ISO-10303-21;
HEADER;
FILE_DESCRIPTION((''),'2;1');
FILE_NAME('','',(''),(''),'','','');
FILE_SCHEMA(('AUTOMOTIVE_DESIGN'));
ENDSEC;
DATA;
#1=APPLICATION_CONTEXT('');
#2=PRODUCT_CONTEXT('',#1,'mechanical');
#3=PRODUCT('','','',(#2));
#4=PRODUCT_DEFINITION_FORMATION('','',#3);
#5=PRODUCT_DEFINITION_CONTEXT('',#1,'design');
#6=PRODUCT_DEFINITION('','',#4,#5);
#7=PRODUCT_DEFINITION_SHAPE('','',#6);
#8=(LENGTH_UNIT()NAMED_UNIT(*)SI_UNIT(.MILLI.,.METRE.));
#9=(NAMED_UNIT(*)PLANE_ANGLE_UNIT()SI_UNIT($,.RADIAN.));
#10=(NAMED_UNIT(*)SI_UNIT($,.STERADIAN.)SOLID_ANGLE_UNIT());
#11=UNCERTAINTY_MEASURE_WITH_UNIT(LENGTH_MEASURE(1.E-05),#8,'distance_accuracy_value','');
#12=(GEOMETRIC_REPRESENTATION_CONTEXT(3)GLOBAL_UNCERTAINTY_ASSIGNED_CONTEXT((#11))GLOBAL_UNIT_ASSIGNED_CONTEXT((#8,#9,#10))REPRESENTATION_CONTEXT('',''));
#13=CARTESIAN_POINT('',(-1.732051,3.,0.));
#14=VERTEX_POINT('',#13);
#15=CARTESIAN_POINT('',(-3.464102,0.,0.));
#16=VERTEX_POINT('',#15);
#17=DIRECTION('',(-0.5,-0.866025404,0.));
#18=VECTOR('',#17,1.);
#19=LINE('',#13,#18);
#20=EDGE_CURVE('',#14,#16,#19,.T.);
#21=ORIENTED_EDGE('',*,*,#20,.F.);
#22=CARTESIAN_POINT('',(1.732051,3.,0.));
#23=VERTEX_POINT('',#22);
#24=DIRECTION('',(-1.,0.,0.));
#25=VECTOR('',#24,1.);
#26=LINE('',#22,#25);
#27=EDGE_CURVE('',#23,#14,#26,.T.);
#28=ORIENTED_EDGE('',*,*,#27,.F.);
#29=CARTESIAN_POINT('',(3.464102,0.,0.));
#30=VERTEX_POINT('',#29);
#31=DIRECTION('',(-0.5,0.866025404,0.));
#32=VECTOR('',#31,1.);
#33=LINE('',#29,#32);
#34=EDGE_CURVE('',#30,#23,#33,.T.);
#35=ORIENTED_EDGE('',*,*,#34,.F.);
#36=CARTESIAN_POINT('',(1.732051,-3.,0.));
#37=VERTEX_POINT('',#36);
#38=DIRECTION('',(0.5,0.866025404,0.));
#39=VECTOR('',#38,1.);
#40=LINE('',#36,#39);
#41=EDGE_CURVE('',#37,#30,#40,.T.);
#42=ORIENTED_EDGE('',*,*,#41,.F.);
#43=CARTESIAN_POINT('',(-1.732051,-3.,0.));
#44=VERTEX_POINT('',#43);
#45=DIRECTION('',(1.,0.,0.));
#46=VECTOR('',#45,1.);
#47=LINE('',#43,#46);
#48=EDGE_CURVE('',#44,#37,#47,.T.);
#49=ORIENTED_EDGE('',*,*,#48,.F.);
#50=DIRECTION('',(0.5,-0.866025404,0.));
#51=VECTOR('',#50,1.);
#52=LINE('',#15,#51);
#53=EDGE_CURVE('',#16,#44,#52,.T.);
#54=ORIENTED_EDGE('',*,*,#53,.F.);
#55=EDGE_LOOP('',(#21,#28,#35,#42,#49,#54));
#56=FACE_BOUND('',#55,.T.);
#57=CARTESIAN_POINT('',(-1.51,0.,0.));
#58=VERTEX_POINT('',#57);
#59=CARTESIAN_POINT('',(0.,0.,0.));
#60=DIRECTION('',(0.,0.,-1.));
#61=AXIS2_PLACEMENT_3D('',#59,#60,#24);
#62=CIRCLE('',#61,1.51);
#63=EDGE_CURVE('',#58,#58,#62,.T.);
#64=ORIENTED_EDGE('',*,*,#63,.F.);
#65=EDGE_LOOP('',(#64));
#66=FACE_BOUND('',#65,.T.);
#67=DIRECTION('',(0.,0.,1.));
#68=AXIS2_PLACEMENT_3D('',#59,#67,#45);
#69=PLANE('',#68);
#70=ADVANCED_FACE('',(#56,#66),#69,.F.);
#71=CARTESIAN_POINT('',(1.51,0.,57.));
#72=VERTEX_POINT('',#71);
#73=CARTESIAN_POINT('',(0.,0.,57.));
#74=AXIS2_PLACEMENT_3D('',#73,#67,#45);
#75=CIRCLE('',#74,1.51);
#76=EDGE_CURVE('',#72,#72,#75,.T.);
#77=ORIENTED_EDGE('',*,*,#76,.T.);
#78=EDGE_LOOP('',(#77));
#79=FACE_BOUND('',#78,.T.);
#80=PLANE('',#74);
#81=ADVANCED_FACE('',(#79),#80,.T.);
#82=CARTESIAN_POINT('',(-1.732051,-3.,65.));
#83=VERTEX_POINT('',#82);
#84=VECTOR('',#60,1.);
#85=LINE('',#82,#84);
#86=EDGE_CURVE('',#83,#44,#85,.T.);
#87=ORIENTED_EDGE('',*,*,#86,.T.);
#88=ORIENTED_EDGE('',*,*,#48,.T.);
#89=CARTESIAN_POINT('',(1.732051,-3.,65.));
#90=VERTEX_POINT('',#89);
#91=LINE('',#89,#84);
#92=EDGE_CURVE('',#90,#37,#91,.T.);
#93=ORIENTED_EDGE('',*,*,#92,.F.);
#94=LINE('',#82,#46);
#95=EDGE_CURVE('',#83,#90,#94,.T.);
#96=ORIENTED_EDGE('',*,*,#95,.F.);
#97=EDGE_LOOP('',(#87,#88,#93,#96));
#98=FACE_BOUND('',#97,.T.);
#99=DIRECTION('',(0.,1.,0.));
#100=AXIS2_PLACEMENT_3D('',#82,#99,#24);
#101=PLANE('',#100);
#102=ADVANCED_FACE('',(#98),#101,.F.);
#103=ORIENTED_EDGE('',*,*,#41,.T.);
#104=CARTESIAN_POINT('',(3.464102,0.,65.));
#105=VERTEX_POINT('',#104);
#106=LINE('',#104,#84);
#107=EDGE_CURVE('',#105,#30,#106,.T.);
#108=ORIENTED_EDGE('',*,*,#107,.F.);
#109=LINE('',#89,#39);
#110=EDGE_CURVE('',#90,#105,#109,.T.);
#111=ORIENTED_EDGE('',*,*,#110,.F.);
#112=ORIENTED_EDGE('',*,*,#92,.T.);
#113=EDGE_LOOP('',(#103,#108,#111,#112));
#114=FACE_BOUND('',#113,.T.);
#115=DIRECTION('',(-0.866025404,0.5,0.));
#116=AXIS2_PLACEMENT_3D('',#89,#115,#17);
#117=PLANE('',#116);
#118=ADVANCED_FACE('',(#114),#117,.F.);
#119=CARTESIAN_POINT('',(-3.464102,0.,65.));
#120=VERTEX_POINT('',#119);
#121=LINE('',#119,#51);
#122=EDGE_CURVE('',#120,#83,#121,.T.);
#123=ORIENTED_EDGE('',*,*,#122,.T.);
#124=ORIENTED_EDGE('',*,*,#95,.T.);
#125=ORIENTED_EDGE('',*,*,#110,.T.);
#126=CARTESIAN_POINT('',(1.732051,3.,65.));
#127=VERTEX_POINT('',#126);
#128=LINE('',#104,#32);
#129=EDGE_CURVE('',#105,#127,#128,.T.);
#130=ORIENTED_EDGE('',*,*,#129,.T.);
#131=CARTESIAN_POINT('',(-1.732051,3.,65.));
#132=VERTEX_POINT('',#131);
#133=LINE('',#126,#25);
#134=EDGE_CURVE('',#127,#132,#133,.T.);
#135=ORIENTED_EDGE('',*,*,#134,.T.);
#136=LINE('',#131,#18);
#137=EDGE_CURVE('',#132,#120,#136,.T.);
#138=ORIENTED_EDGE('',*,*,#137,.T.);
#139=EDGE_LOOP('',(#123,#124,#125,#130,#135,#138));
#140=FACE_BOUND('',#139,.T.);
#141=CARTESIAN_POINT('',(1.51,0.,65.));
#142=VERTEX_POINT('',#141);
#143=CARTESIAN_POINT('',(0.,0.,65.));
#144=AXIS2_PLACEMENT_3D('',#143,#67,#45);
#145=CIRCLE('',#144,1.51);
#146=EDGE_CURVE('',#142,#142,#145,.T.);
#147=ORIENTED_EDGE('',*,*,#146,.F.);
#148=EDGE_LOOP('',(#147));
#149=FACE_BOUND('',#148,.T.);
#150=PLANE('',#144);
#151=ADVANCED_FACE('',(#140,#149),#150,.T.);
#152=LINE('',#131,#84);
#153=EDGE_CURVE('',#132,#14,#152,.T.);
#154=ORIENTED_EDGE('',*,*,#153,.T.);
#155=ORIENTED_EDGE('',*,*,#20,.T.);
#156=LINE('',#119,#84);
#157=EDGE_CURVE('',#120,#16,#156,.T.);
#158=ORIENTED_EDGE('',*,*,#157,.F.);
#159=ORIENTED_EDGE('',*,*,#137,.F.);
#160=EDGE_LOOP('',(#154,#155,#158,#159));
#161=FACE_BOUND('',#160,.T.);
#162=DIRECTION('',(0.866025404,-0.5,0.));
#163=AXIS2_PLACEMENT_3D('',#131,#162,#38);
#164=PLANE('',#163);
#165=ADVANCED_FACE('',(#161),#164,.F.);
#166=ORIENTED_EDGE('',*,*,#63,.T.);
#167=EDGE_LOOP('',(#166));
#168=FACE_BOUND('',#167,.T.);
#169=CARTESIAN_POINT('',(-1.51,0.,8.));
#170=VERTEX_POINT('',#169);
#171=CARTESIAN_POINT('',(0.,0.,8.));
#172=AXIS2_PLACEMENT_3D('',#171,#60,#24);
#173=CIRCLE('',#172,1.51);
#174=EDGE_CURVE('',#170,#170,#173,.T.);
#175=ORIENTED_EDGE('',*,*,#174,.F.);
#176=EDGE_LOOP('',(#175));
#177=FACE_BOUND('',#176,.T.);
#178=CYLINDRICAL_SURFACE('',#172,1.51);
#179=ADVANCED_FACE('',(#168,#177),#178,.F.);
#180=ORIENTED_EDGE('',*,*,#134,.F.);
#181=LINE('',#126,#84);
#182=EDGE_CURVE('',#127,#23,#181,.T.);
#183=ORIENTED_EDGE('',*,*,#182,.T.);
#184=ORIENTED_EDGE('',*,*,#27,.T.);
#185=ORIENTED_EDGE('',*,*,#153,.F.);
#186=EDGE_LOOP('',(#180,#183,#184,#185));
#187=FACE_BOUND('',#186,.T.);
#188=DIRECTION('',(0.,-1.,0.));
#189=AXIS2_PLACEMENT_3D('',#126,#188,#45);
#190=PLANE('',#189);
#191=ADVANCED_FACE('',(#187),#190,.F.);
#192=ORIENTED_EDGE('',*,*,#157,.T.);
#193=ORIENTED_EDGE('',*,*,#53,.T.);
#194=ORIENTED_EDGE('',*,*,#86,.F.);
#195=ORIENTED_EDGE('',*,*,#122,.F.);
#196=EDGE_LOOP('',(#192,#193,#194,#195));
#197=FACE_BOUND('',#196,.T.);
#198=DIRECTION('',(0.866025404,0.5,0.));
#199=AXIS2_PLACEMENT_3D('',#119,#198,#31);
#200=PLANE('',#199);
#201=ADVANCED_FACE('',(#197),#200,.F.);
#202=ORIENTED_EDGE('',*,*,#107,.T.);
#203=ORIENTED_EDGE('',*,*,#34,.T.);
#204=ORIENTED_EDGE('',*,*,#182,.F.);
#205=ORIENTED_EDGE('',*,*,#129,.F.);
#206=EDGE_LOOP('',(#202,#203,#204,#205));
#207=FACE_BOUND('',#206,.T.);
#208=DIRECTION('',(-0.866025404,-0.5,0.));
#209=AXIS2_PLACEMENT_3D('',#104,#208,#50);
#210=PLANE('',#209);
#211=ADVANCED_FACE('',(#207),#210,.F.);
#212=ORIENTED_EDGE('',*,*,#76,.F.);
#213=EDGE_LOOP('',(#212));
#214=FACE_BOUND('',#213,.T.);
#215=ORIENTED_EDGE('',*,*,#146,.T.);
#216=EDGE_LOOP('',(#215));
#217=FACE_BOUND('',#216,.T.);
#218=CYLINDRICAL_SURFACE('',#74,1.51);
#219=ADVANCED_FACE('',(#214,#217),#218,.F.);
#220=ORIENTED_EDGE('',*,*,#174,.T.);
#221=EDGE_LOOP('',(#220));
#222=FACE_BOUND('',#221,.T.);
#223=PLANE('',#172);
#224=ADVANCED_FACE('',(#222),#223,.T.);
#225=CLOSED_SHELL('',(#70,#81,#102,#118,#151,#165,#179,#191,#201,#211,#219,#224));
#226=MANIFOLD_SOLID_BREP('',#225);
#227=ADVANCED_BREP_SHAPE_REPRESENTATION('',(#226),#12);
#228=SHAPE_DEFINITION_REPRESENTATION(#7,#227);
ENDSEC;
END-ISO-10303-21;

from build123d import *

# Parameters (mm, degrees)
F_70MM_DEPTH           = 65
SKETCH_M3_R            = 1.51
CUT_EXTRUDE_M3_DEPTH   = 8
CUT_EXTRUDE_START      = -8
SKETCH_M3_2_R          = 1.51
CUT_EXTRUDE_M3_2_DEPTH = 8


with BuildPart() as part:
    # Sketch 185 → 隔柱高度_70mm (new body)
    with BuildSketch(Plane.XY):
        Polygon((3.464101615, 0), (1.732050808, 3), (-1.732050808, 3), (-3.464101615, 0), (-1.732050808, -3), (1.732050808, -3), align=None)
    extrude(amount=F_70MM_DEPTH)

    # Sketch M3 → Cut-Extrude M3 (cut)
    with BuildSketch(Plane(origin=(0, 0, 0), x_dir=(-1, 0, 0), z_dir=(0, 0, -1))):
        Circle(SKETCH_M3_R)
    extrude(amount=-CUT_EXTRUDE_M3_DEPTH, mode=Mode.SUBTRACT)

    # Sketch M3 2 → Cut-Extrude M3 2 (cut)
    with BuildSketch(Plane.XY.offset(65).offset(CUT_EXTRUDE_START)):
        with Locations(Location((0, 0, 0), (0, 0, 180))):
            Circle(SKETCH_M3_2_R)
    extrude(amount=CUT_EXTRUDE_M3_2_DEPTH, mode=Mode.SUBTRACT)


solid = part.part
